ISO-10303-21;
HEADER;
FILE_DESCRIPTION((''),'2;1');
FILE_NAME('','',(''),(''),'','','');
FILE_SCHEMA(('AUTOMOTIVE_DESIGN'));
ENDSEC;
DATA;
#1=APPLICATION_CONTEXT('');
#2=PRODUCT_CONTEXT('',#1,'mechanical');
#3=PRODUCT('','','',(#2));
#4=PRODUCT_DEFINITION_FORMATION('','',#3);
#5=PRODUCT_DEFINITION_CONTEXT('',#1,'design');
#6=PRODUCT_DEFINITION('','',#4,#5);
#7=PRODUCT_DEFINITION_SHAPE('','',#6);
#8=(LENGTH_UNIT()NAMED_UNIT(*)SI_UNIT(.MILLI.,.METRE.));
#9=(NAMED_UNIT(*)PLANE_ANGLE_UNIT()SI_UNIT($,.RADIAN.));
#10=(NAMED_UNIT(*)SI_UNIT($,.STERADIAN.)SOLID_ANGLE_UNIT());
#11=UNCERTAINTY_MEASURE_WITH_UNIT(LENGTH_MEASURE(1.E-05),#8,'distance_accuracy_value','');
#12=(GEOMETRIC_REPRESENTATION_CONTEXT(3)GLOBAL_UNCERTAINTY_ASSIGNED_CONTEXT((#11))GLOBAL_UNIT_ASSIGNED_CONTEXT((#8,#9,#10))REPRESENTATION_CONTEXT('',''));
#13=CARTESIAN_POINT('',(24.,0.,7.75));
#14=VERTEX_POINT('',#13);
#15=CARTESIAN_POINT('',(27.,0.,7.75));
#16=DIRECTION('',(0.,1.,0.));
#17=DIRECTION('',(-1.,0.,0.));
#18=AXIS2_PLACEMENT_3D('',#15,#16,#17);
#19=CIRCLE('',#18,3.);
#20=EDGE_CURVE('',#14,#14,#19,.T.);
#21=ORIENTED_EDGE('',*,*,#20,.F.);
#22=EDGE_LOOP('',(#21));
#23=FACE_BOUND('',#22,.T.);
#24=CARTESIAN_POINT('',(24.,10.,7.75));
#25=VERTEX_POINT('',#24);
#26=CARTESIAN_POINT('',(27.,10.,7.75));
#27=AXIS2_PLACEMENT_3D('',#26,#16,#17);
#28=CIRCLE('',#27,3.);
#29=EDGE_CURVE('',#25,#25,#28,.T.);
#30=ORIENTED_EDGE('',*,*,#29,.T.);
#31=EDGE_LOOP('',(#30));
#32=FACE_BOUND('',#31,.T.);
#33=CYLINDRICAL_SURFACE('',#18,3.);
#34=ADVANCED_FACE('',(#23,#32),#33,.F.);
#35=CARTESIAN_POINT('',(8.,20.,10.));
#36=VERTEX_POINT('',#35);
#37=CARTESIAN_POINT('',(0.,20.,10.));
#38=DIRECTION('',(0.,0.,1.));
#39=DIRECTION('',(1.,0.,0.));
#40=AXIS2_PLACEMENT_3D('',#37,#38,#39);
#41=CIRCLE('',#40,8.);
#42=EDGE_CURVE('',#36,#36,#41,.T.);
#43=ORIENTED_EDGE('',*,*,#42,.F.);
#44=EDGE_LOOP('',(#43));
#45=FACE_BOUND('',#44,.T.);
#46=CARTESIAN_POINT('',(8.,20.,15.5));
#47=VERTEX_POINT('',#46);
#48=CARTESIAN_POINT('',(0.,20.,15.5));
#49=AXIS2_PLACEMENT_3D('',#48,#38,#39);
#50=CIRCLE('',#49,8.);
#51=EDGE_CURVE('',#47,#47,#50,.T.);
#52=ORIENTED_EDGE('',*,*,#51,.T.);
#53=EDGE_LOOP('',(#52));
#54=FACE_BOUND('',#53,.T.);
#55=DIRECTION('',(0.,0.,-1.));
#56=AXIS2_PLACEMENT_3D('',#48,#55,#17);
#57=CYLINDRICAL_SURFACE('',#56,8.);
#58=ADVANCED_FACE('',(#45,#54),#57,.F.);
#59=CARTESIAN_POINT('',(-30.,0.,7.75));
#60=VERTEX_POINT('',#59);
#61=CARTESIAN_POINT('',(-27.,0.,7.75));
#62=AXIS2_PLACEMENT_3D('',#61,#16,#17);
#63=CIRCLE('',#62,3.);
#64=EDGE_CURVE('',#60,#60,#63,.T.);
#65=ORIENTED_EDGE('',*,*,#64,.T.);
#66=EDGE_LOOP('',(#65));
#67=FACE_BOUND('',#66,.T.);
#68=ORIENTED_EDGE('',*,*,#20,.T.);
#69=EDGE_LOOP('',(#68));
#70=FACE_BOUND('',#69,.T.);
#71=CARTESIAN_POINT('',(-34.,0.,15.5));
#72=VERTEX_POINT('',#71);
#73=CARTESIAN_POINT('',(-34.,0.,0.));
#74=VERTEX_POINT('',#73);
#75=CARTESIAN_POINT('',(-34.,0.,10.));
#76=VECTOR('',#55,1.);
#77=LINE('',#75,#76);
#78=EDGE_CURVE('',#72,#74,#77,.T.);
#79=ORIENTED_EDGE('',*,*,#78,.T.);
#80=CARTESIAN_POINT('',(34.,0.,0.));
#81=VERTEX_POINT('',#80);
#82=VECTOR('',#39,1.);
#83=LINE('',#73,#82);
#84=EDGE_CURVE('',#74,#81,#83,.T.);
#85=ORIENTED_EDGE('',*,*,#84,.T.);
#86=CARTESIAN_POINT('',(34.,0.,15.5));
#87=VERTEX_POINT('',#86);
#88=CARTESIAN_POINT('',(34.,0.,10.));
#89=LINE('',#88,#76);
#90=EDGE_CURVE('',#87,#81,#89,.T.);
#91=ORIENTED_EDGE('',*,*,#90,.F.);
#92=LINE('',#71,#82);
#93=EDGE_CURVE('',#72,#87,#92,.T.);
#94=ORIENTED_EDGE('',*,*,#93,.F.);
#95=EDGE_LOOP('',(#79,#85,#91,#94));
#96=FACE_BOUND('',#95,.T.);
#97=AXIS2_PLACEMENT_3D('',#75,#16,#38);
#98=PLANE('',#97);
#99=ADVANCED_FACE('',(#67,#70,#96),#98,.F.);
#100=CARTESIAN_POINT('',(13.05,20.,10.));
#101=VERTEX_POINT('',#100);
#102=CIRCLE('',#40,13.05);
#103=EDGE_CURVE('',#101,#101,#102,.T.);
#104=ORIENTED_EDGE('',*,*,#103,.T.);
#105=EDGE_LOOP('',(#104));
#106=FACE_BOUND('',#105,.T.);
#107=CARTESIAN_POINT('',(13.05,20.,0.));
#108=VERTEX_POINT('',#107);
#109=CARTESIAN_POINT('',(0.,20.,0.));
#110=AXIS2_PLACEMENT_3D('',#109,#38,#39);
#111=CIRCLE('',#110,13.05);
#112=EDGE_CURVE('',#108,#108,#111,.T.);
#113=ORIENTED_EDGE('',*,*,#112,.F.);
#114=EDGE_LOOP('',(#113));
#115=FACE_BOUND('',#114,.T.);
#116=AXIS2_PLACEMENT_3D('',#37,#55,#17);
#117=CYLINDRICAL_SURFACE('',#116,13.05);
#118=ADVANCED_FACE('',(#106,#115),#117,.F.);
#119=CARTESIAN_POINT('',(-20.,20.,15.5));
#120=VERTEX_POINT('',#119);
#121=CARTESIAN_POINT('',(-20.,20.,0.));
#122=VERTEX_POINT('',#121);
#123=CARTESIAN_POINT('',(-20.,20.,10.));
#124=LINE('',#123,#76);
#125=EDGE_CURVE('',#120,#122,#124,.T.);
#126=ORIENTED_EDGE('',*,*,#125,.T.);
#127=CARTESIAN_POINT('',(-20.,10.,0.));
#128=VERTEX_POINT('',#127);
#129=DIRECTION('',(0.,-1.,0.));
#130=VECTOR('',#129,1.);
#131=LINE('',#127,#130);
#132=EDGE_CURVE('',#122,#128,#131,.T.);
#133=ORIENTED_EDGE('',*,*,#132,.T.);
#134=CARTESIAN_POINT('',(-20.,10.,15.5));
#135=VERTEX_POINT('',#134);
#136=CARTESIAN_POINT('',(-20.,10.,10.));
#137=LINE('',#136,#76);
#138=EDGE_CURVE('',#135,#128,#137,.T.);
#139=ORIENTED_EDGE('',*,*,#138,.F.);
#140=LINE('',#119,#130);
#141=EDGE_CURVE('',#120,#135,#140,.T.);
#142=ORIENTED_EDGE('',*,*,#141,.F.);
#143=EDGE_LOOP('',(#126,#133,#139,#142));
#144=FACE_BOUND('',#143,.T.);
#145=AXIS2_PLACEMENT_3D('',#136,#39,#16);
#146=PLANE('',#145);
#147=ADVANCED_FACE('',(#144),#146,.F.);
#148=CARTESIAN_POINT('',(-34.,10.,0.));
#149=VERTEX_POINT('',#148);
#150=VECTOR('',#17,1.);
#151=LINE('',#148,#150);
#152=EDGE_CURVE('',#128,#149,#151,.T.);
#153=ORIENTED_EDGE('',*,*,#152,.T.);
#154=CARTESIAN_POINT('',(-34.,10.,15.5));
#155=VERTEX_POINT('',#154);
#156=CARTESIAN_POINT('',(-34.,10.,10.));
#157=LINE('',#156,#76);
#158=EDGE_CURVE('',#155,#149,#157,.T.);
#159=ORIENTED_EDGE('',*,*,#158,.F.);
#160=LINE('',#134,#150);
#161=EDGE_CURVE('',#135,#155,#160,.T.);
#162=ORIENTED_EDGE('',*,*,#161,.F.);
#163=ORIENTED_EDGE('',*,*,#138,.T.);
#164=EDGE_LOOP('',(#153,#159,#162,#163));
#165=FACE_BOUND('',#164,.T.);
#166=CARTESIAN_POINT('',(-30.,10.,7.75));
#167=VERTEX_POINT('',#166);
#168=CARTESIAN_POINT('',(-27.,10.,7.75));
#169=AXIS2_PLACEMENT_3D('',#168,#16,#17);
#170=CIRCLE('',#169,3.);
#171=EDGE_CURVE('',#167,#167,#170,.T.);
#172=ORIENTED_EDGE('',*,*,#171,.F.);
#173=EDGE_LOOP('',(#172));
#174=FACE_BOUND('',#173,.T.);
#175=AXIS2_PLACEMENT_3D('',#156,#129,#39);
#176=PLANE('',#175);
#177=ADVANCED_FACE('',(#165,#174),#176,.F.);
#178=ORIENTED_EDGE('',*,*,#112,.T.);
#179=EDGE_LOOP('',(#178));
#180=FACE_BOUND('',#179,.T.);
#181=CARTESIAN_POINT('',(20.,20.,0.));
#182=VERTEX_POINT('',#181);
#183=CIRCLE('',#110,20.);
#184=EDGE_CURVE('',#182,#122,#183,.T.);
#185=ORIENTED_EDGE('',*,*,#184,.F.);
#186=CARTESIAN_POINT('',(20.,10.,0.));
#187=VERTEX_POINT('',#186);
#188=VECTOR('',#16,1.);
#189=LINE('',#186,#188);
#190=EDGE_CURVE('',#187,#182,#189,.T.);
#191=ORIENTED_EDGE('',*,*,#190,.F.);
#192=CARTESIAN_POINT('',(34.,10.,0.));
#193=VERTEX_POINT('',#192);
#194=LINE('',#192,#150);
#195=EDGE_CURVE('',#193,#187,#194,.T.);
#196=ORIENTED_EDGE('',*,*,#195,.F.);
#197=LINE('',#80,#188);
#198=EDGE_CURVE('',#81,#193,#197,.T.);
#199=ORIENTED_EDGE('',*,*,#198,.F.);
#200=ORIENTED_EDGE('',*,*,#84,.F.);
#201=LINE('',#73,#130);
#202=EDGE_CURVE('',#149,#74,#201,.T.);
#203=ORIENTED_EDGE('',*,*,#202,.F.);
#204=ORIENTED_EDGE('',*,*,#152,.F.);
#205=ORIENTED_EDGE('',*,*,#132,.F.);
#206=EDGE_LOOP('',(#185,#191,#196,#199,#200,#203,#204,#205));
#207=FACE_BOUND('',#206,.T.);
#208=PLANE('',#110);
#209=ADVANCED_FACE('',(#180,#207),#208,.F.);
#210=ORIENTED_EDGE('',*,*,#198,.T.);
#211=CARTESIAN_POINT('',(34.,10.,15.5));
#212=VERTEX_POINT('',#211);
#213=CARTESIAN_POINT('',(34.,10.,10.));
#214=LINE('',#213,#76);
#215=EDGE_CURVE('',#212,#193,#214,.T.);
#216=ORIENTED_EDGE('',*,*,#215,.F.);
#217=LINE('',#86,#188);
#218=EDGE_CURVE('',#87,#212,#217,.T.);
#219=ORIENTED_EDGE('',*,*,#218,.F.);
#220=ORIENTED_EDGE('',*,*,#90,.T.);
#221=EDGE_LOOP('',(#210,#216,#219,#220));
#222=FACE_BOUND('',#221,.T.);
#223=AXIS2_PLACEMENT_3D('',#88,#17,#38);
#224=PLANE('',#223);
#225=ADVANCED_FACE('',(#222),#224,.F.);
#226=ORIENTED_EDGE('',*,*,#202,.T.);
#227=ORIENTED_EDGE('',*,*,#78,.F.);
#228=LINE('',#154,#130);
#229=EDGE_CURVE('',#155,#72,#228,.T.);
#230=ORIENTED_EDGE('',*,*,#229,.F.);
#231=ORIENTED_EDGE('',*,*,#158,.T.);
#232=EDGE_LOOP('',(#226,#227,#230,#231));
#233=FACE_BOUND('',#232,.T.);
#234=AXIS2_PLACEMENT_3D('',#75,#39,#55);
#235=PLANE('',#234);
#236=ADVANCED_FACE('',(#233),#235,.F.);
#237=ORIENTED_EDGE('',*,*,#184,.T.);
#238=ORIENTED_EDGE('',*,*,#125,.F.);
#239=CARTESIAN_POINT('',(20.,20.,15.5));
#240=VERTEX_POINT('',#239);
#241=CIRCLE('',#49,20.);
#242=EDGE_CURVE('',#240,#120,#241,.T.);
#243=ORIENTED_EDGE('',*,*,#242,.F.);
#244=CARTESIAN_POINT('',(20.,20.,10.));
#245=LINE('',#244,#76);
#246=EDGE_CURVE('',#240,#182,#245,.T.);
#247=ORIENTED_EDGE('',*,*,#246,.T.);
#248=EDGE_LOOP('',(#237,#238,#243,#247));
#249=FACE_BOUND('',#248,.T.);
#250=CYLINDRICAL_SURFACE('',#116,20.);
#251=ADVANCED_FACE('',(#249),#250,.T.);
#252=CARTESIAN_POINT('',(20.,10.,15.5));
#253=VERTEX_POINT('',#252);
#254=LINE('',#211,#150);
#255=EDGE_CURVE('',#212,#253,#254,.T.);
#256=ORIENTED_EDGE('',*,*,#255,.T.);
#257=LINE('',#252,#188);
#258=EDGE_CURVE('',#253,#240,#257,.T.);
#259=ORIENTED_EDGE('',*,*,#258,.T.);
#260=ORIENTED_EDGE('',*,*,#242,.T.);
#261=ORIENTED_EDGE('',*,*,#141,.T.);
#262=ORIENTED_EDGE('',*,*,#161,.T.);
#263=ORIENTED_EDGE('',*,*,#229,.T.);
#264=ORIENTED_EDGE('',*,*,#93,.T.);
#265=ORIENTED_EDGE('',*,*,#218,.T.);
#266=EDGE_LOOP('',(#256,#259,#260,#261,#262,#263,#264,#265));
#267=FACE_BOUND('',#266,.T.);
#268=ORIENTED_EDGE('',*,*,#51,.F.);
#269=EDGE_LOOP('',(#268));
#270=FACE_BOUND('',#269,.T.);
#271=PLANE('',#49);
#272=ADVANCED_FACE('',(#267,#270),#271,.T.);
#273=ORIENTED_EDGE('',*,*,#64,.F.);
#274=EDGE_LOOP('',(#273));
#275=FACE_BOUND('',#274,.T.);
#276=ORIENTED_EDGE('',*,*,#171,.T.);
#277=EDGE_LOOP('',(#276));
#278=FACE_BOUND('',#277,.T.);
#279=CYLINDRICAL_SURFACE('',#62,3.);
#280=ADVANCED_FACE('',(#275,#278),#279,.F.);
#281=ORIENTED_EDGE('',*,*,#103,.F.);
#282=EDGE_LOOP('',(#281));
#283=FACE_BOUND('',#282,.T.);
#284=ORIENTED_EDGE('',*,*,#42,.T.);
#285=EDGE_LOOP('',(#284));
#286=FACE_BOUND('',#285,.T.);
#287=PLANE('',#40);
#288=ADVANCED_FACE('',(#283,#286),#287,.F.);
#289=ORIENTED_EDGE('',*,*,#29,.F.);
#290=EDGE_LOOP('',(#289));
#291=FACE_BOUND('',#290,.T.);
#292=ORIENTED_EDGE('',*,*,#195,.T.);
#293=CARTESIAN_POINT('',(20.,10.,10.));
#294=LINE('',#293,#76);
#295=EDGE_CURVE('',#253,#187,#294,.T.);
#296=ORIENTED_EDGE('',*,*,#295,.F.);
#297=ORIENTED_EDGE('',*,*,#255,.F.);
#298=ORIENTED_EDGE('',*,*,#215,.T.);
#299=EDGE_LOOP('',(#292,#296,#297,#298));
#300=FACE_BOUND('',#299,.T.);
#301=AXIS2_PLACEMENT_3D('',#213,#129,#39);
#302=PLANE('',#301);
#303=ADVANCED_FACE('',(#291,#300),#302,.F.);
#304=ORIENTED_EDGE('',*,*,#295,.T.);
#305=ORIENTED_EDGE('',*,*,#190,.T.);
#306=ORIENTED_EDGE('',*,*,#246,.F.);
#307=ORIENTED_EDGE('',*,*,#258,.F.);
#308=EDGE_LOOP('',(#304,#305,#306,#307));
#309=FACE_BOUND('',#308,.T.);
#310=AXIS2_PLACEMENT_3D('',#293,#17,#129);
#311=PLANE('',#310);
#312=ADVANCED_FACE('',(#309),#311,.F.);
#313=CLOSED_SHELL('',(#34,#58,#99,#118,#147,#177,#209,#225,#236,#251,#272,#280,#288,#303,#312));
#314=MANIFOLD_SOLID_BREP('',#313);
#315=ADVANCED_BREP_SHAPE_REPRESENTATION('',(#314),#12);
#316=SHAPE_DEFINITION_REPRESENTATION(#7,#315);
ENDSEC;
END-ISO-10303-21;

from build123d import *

# Parameters (mm, degrees)
SKETCH1_R           = 13.05
BOSS_EXTRUDE1_DEPTH = 10
SKETCH2_R           = 8
BOSS_EXTRUDE2_DEPTH = 5.5
SKETCH3_R           = 3
CUT_EXTRUDE1_DEPTH  = 11


with BuildPart() as part:
    # Sketch1 → Boss-Extrude1 (new body)
    with BuildSketch(Plane.XY):
        with BuildLine():
            Line((-34, 0), (34, 0))
            Line((34, 0), (34, 10))
            Line((34, 10), (20, 10))
            Line((20, 10), (20, 20))
            ThreePointArc((20, 20), (0, 40), (-20, 20))
            Line((-20, 20), (-20, 10))
            Line((-20, 10), (-34, 10))
            Line((-34, 10), (-34, 0))
        make_face()
        with Locations((0, 20)):
            Circle(SKETCH1_R, mode=Mode.SUBTRACT)
    extrude(amount=BOSS_EXTRUDE1_DEPTH)

    # Sketch2 → Boss-Extrude2 (add)
    with BuildSketch(Plane.XY.offset(10)):
        with BuildLine():
            Line((34, 0), (34, 10))
            Line((34, 10), (20, 10))
            Line((20, 10), (20, 20))
            ThreePointArc((20, 20), (0, 40), (-20, 20))
            Line((-20, 20), (-20, 10))
            Line((-20, 10), (-34, 10))
            Line((-34, 10), (-34, 0))
            Line((-34, 0), (34, 0))
        make_face()
        with Locations((0, 20)):
            Circle(SKETCH2_R, mode=Mode.SUBTRACT)
    extrude(amount=BOSS_EXTRUDE2_DEPTH)

    # Sketch3 → Cut-Extrude1 (cut, through all)
    with BuildSketch(Plane(origin=(0, 10, 0), x_dir=(1, 0, 0), z_dir=(0, 1, 0))):
        with Locations((27, -7.75)):
            Circle(SKETCH3_R)
        with Locations((-27, -7.75)):
            Circle(SKETCH3_R)
    extrude(amount=-CUT_EXTRUDE1_DEPTH, mode=Mode.SUBTRACT)


solid = part.part
